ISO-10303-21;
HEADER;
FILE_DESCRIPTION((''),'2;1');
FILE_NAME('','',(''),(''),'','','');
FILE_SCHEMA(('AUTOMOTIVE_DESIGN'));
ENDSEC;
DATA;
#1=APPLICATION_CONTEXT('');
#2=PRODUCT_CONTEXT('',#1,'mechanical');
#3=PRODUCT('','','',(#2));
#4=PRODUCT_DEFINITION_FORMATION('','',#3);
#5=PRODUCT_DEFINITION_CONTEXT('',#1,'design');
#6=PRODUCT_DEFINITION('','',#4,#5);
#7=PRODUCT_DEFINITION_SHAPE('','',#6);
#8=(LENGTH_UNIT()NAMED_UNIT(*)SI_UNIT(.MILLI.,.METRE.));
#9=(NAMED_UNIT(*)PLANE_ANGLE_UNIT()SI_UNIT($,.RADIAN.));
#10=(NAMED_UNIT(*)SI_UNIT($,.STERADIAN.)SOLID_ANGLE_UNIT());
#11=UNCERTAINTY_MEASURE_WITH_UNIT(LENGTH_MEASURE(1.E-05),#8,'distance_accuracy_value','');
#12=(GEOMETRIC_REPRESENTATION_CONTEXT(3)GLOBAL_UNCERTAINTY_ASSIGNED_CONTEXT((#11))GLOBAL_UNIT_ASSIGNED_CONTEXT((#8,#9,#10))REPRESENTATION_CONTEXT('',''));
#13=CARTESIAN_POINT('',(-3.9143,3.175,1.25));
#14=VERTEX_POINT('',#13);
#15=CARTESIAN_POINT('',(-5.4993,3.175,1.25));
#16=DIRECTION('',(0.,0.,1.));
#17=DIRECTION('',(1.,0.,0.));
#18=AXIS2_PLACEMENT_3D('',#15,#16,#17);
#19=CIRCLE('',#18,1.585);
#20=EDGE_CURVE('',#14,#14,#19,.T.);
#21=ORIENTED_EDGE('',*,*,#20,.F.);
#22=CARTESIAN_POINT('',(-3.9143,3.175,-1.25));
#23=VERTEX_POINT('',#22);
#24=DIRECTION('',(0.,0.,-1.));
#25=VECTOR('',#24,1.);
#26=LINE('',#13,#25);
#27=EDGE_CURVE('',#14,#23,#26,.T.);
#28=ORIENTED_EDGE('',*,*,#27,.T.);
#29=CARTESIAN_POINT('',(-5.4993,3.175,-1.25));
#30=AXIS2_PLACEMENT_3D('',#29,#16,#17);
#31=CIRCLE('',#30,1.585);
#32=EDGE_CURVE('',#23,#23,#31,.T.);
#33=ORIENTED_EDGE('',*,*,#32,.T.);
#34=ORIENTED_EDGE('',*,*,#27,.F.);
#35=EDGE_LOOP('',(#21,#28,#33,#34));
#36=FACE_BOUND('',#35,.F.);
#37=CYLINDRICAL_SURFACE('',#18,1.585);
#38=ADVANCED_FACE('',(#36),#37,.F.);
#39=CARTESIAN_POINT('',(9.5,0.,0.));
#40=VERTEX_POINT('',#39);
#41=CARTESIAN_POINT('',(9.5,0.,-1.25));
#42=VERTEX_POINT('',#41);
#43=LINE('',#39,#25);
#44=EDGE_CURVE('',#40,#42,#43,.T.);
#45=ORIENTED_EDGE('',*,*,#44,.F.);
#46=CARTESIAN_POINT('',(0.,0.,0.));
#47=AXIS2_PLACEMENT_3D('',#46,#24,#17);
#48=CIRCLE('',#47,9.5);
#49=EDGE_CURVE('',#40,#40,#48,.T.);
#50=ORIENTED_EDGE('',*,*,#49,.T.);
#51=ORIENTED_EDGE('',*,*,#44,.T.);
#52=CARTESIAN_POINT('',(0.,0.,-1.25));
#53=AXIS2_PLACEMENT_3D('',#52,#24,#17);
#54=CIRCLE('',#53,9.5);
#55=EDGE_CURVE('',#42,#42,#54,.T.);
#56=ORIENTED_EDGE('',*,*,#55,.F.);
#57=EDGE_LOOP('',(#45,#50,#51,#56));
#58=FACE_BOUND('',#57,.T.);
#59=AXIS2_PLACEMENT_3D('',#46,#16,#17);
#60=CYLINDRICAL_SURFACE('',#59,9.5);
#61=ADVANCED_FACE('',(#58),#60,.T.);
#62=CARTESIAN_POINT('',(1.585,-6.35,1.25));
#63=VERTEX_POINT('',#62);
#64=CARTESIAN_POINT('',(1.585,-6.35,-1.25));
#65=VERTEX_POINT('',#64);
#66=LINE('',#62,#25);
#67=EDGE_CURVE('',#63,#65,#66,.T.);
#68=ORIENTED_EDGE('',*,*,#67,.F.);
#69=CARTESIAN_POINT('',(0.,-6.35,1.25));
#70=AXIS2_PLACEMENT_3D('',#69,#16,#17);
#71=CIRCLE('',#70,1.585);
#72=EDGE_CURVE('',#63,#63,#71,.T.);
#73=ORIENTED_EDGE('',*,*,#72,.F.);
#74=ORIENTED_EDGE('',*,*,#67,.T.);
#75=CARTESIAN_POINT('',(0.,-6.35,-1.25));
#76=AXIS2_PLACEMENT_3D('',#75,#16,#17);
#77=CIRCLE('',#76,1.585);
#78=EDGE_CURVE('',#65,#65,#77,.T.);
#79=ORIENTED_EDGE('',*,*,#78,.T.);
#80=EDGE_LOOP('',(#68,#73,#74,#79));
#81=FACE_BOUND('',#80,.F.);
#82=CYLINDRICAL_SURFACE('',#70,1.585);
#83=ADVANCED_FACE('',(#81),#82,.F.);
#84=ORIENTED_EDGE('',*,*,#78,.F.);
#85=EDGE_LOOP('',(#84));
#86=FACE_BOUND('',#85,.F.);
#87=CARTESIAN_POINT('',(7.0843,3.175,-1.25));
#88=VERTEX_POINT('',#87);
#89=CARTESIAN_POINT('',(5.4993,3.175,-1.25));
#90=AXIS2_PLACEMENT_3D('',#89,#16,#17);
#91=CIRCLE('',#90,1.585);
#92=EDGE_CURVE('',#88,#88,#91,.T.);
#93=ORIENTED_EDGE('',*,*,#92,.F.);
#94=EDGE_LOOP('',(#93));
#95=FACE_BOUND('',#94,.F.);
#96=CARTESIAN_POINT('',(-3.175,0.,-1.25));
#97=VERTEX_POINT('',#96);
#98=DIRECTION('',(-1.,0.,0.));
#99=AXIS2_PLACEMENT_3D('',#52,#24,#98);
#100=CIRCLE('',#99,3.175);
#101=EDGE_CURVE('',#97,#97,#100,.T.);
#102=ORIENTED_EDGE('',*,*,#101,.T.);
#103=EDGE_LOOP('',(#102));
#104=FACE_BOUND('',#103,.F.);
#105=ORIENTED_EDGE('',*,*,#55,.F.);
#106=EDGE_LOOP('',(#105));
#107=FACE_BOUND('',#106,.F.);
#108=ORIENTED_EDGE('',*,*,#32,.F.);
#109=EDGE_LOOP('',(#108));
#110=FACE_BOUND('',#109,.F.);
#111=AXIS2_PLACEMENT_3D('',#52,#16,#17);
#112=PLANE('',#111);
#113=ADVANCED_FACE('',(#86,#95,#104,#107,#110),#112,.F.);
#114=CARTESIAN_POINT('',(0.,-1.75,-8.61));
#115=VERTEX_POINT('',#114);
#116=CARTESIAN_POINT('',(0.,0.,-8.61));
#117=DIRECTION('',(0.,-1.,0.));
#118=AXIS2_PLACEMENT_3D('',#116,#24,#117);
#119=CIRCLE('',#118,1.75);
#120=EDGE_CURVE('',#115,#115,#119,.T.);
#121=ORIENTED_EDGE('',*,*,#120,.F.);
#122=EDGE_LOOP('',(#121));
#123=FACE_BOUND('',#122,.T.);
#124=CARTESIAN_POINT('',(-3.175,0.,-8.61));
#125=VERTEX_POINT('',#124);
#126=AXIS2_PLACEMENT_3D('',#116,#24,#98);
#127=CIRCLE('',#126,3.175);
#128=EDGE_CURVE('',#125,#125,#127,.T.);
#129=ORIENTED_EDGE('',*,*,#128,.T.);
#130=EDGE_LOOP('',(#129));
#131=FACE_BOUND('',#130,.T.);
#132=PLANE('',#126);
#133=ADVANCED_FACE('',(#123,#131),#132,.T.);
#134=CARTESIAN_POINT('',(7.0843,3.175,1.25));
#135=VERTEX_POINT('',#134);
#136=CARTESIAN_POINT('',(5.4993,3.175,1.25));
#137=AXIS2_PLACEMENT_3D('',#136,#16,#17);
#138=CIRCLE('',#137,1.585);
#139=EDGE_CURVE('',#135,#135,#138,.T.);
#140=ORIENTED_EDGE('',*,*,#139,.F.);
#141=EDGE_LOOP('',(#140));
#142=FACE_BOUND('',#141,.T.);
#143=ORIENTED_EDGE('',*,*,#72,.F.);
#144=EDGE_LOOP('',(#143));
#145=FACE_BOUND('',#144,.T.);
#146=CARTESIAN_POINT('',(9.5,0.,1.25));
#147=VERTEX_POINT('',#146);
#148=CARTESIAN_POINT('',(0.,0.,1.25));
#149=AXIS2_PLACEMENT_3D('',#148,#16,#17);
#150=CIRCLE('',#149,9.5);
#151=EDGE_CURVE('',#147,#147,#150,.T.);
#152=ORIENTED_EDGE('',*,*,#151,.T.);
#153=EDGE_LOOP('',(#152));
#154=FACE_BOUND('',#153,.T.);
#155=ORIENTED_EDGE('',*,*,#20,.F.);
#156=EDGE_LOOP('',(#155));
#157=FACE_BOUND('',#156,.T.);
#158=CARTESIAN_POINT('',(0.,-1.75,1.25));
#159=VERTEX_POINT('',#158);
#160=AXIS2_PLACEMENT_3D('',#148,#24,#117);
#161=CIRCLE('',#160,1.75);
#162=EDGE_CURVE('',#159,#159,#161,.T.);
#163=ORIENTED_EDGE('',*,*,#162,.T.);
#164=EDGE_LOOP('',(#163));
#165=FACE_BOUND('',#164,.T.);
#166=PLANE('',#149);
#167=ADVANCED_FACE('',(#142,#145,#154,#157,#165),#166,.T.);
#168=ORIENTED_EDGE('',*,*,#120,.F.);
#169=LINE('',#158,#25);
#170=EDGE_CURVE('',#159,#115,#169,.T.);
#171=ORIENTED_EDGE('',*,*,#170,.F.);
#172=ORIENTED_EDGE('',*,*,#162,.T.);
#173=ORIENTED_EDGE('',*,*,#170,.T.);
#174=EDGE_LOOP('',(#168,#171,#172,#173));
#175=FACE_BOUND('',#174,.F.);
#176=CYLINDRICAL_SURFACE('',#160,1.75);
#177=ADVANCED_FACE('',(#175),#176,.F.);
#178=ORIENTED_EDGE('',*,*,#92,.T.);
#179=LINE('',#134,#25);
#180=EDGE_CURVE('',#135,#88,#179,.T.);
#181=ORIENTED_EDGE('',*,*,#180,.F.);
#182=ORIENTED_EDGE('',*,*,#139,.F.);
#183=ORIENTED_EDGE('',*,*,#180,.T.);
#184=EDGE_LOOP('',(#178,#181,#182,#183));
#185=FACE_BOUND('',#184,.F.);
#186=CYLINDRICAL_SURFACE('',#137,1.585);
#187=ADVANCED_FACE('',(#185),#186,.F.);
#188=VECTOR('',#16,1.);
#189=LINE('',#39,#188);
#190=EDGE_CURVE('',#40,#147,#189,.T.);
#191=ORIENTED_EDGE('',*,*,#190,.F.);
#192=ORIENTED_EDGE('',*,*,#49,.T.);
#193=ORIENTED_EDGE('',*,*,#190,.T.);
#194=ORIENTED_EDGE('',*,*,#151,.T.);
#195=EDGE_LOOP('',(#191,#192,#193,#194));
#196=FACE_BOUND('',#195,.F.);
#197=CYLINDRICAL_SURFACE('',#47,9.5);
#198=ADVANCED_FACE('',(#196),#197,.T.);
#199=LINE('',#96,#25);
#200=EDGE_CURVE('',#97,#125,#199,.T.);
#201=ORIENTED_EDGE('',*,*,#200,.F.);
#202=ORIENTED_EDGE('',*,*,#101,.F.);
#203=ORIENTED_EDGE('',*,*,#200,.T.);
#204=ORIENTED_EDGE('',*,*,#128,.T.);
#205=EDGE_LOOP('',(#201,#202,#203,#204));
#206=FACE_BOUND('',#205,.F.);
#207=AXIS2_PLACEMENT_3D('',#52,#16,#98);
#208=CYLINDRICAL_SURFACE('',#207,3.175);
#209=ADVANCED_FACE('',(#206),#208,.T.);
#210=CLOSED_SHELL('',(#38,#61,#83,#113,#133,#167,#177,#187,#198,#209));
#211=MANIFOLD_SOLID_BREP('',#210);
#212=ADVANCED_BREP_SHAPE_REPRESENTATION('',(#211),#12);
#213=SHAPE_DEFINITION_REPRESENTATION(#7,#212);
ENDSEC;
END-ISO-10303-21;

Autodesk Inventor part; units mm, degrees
ref_plane "YZ Plane" through (0, 0, 0) normal (1, 0, 0) x (0, 1, 0)
ref_plane "XZ Plane" through (0, 0, 0) normal (0, 1, 0) x (-1, 0, 0)
ref_plane "XY Plane" through (0, 0, 0) normal (0, 0, 1) x (1, 0, 0)
sketch "Sketch1" plane through (0, 0, 0) normal (0, 0, 1) x (1, 0, 0)
  line L0 (-13.3, 0) -> (13.3, 0) projected
  line L1 (0, -13.3) -> (0, 13.3) projected
  circle A0 centre (0, 0) radius 9.5
  circle A1 centre (0, 0) radius 1.3
  circle A2 centre (0, 0) radius 3.17
  dimension "d0" = 19
  dimension "d1" = 2.6
  dimension "d2" = 6.34
extrude "Extrusion4" add sketch "Sketch1" along normal mid plane 2.5 contours A1 L1 A2 L0 | L0 A2 L1 A1 | A2 L1 A0 L0 | L0 A0 L1 A2 | A1 L0 A2 L1 | L1 A2 L0 A1 | A2 L0 A0 L1 | L1 A0 L0 A2
sketch "Sketch3" plane through (0, 0, -1.25) normal (0, 0, -1) x (-1, 0, 0)
  circle A0 centre (0, 0) radius 3.175
  circle A1 centre (0, 0) radius 1.3021
  dimension "d21" = 6.35
extrude "Extrusion5" add sketch "Sketch3" along normal blind 7.36
sketch "Sketch4" plane through (0, 0, 1.25) normal (0, 0, 1) x (1, 0, 0)
  circle A0 centre (0, 0) radius 9.5 projected
  line L0 (-5.6994, 7.6005) -> (5.6994, 7.6005)
  arc A1 (5.6994, 7.6005) -> (-5.6994, 7.6005) centre (0, 0) ccw
  dimension "d27" = 11.3988
sketch "Sketch5" plane through (0, 0, 1.25) normal (0, 0, 1) x (1, 0, 0)
  point P0 (0, 0)
  point P1 (0, 0)
hole "Hole1" at (0, 0, 1.25) direction (0, 0, -1) diameter 3.5 end through all
sketch "Sketch6" plane through (0, 0, 1.25) normal (0, 0, 1) x (1, 0, 0)
  circle A0 centre (0, 0) radius 6.35 construction
  circle A1 centre (0, -6.35) radius 1.585
  line L0 (0, -13.3) -> (0, 13.3) construction
  line L1 (-13.3, 0) -> (13.3, 0) construction
  circle A2 centre (5.4993, 3.175) radius 1.585
  circle A3 centre (-5.4993, 3.175) radius 1.585
  dimension "d40" = 12.7
  dimension "d41" = 3.17
  dimension "d44" = 360
extrude "Extrusion7" cut sketch "Sketch6" against normal through all
sketch "Sketch7" plane through (0, 0, 1.25) normal (0, 0, 1) x (1, 0, 0)
  circle A0 centre (0, 0) radius 9.5 projected
properties part number "nakretka_na_igle"
